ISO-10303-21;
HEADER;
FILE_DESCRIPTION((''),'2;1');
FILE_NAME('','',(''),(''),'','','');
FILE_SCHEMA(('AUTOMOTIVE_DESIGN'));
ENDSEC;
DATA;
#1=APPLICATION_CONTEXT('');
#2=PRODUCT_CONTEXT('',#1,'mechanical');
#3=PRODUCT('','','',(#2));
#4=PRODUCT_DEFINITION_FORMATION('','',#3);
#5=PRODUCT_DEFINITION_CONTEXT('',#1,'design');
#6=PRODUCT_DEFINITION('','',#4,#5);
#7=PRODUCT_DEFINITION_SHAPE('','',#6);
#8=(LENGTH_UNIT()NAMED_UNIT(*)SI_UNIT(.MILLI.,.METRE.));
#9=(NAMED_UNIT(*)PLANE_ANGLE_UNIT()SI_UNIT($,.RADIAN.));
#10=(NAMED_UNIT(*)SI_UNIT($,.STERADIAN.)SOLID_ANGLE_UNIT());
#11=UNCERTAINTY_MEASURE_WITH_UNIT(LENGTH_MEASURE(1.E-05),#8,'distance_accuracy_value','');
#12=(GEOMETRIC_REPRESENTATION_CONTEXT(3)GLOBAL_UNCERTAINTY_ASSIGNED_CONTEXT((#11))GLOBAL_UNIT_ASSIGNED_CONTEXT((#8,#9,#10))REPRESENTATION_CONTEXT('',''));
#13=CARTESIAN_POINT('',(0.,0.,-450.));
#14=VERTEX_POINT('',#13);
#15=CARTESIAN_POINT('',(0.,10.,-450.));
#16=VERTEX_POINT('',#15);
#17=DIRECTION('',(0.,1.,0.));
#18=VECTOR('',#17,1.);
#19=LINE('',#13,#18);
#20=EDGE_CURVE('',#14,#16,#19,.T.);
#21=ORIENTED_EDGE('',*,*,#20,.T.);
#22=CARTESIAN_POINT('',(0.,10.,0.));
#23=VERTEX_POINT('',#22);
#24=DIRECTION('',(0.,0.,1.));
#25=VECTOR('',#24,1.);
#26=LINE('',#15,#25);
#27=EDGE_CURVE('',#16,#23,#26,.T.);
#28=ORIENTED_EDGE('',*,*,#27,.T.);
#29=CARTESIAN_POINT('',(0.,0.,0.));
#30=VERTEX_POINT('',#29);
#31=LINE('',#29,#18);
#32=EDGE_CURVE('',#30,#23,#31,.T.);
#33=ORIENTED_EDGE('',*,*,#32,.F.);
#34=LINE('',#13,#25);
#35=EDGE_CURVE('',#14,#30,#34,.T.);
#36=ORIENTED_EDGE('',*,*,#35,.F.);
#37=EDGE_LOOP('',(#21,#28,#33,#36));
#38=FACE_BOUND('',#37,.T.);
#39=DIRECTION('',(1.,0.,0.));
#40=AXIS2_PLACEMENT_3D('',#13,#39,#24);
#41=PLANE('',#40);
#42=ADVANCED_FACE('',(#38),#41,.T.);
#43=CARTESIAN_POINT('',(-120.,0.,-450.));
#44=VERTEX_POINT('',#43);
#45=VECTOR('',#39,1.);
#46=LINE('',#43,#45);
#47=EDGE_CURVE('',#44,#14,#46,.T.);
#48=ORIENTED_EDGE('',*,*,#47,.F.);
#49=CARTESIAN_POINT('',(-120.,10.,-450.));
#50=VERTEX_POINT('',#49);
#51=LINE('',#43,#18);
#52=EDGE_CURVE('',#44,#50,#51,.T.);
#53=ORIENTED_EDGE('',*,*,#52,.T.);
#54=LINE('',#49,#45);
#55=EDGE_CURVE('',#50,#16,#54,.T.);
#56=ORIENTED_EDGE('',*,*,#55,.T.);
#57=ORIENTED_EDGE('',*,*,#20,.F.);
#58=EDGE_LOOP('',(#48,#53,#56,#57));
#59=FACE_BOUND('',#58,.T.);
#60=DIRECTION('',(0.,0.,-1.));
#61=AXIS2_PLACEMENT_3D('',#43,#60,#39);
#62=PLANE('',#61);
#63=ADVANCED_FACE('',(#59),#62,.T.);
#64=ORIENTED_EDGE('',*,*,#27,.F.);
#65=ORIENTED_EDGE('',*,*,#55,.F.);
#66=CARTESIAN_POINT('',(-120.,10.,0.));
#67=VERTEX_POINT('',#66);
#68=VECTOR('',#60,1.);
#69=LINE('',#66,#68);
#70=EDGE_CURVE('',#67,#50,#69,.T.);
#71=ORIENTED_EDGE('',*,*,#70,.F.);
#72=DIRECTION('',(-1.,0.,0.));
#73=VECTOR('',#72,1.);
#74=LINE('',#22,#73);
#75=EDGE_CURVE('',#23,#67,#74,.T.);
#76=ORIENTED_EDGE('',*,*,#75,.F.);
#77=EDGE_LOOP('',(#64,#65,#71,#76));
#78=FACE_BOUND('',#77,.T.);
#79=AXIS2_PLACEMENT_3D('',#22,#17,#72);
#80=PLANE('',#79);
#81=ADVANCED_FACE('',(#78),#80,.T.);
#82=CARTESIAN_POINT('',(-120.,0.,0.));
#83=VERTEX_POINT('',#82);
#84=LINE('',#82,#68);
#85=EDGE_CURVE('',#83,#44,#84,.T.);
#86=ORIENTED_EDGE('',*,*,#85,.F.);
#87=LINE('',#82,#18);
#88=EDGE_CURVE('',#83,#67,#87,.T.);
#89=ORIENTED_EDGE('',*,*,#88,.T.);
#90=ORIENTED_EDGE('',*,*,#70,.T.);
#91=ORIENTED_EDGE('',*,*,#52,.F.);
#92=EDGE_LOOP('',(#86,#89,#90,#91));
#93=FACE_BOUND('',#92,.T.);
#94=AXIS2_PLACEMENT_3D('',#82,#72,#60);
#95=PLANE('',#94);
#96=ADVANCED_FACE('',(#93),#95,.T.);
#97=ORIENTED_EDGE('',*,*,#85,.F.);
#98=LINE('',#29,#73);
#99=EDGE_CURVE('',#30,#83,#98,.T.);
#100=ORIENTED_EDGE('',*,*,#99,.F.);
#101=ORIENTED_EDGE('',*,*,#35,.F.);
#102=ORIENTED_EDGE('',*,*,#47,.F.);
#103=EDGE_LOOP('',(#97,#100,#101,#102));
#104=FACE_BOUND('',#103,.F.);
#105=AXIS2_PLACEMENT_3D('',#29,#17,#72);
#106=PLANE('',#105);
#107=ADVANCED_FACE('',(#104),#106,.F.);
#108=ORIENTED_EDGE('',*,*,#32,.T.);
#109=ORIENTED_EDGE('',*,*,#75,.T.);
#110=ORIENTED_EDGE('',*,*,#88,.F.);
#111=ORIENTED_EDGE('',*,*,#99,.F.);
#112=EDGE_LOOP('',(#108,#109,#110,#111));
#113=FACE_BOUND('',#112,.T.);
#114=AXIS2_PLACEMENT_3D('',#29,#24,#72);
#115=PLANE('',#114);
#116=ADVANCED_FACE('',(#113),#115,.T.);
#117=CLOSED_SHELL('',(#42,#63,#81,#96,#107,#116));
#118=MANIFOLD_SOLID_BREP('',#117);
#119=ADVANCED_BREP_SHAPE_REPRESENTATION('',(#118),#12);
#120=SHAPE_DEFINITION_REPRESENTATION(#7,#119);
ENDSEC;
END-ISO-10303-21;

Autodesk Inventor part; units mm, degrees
ref_plane "YZ Plane" through (0, 0, 0) normal (1, 0, 0) x (0, 1, 0)
ref_plane "XZ Plane" through (0, 0, 0) normal (0, 1, 0) x (-1, 0, 0)
ref_plane "XY Plane" through (0, 0, 0) normal (0, 0, 1) x (1, 0, 0)
sketch "Náčrt1" plane through (0, 0, 0) normal (0, 1, 0) x (-1, 0, 0)
  line L0 (0, 0) -> (120, 0)
  line L1 (120, 0) -> (120, -450)
  line L2 (120, -450) -> (0, -450)
  line L3 (0, -450) -> (0, 0)
  dimension "d0" = 120
  dimension "d1" = 450
extrude "Vysunutí1" add sketch "Náčrt1" along normal blind 10
properties part number "Predni_strana"
